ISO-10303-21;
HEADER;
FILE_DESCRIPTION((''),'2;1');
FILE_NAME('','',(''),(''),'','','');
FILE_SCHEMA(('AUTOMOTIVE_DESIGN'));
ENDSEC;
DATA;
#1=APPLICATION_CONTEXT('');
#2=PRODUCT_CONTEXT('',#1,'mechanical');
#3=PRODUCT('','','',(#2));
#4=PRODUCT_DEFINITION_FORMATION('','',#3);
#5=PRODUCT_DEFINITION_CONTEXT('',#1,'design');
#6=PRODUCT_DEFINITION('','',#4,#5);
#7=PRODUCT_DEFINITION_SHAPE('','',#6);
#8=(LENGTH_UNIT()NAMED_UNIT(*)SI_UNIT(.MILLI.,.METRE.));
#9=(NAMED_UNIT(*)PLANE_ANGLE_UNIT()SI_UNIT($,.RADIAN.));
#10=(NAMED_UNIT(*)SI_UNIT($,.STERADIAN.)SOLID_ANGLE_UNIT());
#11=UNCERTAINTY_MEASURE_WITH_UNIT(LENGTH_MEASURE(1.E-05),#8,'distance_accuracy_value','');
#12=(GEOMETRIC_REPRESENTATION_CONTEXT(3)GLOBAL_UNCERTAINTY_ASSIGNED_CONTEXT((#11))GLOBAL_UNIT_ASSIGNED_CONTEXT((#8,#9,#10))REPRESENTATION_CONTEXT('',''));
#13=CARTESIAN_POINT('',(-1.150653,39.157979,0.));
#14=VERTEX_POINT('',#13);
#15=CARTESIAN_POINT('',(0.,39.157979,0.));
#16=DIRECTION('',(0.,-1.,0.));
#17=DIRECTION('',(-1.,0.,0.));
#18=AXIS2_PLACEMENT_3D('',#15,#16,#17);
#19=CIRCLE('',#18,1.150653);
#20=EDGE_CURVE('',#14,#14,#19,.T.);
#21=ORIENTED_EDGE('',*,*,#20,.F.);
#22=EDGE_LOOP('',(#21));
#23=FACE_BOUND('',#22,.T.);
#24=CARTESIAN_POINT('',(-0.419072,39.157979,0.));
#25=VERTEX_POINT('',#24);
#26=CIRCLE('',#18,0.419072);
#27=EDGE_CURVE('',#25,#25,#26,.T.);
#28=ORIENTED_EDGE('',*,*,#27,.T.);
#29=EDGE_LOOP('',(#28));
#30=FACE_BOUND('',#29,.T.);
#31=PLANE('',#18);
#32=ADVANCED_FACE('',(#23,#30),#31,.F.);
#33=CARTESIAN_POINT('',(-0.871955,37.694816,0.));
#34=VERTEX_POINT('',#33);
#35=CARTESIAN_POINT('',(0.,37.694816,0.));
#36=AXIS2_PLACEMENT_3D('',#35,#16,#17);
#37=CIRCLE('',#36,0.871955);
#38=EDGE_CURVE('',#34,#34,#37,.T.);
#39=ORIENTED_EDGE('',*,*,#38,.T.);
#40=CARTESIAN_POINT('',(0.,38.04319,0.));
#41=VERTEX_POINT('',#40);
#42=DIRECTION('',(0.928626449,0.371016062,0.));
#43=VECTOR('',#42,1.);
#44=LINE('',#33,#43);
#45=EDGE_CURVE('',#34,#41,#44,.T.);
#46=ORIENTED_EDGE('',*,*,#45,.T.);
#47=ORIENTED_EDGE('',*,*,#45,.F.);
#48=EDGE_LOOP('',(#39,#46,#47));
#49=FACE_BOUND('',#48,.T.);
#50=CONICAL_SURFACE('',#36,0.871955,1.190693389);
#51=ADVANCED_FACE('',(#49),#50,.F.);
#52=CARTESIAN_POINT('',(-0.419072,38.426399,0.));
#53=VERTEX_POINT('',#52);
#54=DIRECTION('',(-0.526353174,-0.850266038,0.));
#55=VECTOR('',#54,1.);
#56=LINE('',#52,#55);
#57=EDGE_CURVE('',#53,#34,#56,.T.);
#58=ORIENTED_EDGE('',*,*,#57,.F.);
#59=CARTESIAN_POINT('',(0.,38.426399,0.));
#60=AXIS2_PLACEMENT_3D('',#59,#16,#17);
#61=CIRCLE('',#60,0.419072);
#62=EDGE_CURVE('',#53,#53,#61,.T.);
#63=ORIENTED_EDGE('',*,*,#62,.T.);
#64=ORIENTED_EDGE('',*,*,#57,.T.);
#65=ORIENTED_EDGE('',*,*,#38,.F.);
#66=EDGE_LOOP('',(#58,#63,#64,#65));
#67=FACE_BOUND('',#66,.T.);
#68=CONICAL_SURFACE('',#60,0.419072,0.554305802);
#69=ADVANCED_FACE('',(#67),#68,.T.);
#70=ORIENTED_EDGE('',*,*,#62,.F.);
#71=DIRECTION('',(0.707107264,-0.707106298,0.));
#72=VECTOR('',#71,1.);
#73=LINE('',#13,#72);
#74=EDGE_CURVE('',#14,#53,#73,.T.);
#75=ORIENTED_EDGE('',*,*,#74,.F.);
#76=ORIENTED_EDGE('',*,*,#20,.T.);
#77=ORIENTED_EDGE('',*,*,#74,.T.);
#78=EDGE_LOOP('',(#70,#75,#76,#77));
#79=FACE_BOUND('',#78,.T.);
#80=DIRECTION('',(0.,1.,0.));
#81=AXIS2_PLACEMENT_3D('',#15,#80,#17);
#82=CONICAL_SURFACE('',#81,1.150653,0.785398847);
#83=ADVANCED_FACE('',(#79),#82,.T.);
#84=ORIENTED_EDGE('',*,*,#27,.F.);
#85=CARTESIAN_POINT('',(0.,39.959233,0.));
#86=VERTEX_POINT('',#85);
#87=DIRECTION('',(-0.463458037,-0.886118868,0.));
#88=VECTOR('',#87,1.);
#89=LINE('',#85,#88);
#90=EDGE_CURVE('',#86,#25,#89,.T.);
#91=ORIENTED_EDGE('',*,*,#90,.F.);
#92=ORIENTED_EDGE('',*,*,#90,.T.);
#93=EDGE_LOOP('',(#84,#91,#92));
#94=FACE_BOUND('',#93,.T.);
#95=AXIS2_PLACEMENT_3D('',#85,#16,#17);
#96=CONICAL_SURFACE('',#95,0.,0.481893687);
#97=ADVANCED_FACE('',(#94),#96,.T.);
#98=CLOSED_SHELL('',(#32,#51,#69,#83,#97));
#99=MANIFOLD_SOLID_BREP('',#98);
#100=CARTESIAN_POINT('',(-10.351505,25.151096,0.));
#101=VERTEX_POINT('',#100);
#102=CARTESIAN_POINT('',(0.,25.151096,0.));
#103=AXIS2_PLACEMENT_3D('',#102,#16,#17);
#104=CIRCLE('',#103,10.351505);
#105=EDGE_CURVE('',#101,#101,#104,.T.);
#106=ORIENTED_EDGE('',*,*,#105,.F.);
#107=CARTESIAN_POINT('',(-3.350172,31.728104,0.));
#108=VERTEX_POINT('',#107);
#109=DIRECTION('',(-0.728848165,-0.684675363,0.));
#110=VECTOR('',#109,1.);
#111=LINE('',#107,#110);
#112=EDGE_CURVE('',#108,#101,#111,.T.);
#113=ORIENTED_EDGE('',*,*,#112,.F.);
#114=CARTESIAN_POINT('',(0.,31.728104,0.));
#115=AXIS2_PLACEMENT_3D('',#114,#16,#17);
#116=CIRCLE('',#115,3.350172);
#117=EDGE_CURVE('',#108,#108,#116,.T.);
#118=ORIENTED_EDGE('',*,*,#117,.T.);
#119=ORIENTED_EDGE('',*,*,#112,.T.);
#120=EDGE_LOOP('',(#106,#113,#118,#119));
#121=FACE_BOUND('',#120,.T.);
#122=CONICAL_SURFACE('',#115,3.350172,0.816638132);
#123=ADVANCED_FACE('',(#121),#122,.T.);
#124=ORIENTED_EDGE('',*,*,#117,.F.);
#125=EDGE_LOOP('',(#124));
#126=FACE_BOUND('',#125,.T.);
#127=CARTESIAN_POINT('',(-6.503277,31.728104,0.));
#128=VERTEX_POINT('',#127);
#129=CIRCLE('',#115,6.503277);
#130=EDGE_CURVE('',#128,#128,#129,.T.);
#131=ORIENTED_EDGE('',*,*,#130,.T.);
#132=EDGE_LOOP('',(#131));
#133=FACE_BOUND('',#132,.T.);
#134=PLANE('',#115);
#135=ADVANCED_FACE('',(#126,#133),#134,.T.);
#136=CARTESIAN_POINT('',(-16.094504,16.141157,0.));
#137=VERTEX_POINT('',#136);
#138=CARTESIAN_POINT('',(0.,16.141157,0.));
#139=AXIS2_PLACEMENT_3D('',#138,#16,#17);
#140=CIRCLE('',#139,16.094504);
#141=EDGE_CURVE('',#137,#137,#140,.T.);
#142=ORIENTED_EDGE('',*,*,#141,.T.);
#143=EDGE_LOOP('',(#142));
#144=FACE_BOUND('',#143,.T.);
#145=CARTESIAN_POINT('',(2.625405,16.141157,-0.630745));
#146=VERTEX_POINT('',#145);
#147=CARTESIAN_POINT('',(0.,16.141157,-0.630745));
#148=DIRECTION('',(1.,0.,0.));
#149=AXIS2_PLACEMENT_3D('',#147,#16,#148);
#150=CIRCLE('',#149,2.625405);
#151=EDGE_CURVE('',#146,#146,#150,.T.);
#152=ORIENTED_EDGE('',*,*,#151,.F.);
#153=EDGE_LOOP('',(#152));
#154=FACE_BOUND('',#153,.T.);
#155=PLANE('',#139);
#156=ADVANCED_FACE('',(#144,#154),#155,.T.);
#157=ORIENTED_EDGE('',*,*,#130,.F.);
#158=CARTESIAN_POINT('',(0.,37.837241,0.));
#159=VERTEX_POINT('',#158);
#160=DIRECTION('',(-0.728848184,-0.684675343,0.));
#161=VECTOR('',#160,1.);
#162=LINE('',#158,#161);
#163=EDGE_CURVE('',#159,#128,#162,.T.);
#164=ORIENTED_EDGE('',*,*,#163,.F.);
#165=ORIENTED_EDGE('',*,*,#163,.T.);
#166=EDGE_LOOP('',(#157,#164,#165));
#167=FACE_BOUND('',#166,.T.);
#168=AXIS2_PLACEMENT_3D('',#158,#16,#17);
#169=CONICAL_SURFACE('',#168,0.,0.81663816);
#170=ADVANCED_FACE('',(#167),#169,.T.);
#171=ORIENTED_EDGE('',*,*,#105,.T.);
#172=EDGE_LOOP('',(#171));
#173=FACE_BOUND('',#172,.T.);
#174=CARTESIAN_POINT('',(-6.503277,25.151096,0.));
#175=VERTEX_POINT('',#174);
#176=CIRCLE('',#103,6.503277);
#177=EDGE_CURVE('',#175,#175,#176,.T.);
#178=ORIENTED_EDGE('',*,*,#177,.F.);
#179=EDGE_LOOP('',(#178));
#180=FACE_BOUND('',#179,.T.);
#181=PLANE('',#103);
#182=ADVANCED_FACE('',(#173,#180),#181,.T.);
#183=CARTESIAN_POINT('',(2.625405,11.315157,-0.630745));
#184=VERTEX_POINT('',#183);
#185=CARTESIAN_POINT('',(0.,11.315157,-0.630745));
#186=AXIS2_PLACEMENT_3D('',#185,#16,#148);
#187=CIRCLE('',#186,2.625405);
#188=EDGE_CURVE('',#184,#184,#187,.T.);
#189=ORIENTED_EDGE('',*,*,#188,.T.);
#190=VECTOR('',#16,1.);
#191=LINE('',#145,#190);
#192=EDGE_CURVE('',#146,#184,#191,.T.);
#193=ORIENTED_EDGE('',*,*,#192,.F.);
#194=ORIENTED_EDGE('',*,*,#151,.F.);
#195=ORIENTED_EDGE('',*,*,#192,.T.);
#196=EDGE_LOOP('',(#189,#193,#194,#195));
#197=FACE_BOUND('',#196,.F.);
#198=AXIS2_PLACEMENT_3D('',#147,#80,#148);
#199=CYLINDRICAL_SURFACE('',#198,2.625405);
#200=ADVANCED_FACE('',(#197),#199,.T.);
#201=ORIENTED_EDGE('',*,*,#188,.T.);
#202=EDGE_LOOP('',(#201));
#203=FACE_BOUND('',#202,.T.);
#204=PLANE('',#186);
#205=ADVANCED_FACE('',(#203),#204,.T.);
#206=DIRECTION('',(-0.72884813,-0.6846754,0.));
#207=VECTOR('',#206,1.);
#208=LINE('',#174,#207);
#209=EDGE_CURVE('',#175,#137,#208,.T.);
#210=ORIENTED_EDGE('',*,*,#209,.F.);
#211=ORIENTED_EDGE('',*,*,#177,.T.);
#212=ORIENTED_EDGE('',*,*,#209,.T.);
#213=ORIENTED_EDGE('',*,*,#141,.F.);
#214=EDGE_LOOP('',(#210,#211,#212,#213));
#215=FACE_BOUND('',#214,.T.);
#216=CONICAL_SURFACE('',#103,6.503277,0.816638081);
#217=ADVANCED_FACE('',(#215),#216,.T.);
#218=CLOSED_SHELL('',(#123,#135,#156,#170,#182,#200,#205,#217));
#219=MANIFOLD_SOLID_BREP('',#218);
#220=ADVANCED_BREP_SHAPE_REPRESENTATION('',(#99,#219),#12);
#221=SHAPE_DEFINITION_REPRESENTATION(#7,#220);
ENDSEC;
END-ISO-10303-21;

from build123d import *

# Parameters (mm, degrees)
F2_R     = 2.625405
F3_DEPTH = 4.826


with BuildPart() as f1:
    # F0 (on Top) → F1 (revolve)
    with BuildSketch(Plane.XY):
        Polygon((0, 16.141157), (0, 37.837241), (-6.503277, 31.728104), (-3.350172, 31.728104), (-10.351505, 25.151096), (-6.503277, 25.151096), (-16.094504, 16.141157), align=None)
    revolve(axis=Axis((0, 26.989199, 0), (0, -1, 0)))

    # F2 (on face) → F3 (join)
    with BuildSketch(Plane.XZ.offset(-16.141157)):
        with Locations((0, -0.630745)):
            Circle(F2_R)
    extrude(amount=F3_DEPTH)


with BuildPart() as f5:
    # F4 (on Top) → F5 (revolve)
    with BuildSketch(Plane.XY):
        Polygon((0, 38.04319), (0, 39.959233), (-0.419072, 39.157979), (-1.150653, 39.157979), (-0.419072, 38.426399), (-0.871955, 37.694816), align=None)
    revolve(axis=Axis((0, 39.001212, 0), (0, -1, 0)))


solid = Compound([f1.part, f5.part])
